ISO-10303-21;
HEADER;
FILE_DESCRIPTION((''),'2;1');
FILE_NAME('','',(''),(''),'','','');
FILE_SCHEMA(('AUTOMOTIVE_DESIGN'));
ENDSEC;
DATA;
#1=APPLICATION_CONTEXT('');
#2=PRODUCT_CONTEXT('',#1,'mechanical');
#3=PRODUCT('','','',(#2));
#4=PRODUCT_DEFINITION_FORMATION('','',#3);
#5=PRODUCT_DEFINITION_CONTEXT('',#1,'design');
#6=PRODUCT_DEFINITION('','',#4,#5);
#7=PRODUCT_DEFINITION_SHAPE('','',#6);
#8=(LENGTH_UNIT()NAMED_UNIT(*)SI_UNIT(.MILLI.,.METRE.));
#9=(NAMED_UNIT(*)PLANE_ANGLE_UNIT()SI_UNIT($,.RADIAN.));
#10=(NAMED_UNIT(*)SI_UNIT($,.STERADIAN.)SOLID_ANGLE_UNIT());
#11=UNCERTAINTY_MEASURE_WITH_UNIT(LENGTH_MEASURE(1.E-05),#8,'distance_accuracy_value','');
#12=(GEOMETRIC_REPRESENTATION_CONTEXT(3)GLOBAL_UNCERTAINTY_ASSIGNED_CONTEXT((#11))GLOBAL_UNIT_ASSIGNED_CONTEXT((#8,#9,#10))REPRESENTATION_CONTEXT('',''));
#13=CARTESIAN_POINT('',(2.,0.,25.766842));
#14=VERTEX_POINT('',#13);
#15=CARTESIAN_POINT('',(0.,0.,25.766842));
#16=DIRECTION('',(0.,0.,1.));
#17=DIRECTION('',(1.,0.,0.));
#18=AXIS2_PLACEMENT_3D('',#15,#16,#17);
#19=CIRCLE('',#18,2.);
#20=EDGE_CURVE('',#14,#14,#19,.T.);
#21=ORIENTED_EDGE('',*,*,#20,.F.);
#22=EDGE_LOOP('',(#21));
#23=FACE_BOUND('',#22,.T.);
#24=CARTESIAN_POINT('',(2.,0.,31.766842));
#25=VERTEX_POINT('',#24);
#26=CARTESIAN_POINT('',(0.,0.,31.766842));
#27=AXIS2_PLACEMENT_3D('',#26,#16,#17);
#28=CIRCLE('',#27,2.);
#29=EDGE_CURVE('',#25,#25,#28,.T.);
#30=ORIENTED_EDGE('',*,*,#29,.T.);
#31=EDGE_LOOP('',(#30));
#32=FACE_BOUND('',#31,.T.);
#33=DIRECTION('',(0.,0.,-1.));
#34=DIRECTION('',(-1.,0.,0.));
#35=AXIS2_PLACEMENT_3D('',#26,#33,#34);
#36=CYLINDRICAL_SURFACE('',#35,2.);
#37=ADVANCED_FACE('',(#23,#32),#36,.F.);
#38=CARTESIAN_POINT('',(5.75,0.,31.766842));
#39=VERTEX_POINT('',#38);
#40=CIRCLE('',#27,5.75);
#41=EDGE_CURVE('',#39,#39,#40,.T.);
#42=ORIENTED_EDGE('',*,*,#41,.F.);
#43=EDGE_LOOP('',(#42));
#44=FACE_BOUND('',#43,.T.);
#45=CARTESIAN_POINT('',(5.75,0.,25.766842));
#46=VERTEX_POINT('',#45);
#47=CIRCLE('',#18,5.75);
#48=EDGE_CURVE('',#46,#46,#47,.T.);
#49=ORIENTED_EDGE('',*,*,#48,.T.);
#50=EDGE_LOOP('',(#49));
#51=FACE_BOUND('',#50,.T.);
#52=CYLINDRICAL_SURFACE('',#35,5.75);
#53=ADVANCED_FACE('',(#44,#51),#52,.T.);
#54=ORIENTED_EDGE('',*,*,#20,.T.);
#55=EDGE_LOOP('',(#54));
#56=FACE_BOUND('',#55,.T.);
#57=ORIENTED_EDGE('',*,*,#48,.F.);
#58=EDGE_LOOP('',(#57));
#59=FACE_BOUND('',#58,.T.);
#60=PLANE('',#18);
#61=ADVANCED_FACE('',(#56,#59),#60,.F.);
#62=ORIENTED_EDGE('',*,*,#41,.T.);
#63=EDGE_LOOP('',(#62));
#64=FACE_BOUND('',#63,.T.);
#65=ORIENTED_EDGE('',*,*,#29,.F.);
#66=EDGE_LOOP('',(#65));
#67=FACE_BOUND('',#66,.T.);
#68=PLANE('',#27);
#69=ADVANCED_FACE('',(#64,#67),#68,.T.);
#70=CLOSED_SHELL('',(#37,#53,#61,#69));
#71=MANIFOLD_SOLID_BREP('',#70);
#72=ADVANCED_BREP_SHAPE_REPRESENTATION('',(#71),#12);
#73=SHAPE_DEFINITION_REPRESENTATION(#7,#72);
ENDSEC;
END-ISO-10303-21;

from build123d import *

# Parameters (mm, degrees)
SKETCH1_R           = 5.75
SKETCH1_R_2         = 2
BOSS_EXTRUDE1_DEPTH = 6


with BuildPart() as part:
    # Sketch1 → Boss-Extrude1 (new body)
    with BuildSketch(Plane.XY.offset(25.76684231)):
        Circle(SKETCH1_R)
        Circle(SKETCH1_R_2, mode=Mode.SUBTRACT)
    extrude(amount=BOSS_EXTRUDE1_DEPTH)


solid = part.part
